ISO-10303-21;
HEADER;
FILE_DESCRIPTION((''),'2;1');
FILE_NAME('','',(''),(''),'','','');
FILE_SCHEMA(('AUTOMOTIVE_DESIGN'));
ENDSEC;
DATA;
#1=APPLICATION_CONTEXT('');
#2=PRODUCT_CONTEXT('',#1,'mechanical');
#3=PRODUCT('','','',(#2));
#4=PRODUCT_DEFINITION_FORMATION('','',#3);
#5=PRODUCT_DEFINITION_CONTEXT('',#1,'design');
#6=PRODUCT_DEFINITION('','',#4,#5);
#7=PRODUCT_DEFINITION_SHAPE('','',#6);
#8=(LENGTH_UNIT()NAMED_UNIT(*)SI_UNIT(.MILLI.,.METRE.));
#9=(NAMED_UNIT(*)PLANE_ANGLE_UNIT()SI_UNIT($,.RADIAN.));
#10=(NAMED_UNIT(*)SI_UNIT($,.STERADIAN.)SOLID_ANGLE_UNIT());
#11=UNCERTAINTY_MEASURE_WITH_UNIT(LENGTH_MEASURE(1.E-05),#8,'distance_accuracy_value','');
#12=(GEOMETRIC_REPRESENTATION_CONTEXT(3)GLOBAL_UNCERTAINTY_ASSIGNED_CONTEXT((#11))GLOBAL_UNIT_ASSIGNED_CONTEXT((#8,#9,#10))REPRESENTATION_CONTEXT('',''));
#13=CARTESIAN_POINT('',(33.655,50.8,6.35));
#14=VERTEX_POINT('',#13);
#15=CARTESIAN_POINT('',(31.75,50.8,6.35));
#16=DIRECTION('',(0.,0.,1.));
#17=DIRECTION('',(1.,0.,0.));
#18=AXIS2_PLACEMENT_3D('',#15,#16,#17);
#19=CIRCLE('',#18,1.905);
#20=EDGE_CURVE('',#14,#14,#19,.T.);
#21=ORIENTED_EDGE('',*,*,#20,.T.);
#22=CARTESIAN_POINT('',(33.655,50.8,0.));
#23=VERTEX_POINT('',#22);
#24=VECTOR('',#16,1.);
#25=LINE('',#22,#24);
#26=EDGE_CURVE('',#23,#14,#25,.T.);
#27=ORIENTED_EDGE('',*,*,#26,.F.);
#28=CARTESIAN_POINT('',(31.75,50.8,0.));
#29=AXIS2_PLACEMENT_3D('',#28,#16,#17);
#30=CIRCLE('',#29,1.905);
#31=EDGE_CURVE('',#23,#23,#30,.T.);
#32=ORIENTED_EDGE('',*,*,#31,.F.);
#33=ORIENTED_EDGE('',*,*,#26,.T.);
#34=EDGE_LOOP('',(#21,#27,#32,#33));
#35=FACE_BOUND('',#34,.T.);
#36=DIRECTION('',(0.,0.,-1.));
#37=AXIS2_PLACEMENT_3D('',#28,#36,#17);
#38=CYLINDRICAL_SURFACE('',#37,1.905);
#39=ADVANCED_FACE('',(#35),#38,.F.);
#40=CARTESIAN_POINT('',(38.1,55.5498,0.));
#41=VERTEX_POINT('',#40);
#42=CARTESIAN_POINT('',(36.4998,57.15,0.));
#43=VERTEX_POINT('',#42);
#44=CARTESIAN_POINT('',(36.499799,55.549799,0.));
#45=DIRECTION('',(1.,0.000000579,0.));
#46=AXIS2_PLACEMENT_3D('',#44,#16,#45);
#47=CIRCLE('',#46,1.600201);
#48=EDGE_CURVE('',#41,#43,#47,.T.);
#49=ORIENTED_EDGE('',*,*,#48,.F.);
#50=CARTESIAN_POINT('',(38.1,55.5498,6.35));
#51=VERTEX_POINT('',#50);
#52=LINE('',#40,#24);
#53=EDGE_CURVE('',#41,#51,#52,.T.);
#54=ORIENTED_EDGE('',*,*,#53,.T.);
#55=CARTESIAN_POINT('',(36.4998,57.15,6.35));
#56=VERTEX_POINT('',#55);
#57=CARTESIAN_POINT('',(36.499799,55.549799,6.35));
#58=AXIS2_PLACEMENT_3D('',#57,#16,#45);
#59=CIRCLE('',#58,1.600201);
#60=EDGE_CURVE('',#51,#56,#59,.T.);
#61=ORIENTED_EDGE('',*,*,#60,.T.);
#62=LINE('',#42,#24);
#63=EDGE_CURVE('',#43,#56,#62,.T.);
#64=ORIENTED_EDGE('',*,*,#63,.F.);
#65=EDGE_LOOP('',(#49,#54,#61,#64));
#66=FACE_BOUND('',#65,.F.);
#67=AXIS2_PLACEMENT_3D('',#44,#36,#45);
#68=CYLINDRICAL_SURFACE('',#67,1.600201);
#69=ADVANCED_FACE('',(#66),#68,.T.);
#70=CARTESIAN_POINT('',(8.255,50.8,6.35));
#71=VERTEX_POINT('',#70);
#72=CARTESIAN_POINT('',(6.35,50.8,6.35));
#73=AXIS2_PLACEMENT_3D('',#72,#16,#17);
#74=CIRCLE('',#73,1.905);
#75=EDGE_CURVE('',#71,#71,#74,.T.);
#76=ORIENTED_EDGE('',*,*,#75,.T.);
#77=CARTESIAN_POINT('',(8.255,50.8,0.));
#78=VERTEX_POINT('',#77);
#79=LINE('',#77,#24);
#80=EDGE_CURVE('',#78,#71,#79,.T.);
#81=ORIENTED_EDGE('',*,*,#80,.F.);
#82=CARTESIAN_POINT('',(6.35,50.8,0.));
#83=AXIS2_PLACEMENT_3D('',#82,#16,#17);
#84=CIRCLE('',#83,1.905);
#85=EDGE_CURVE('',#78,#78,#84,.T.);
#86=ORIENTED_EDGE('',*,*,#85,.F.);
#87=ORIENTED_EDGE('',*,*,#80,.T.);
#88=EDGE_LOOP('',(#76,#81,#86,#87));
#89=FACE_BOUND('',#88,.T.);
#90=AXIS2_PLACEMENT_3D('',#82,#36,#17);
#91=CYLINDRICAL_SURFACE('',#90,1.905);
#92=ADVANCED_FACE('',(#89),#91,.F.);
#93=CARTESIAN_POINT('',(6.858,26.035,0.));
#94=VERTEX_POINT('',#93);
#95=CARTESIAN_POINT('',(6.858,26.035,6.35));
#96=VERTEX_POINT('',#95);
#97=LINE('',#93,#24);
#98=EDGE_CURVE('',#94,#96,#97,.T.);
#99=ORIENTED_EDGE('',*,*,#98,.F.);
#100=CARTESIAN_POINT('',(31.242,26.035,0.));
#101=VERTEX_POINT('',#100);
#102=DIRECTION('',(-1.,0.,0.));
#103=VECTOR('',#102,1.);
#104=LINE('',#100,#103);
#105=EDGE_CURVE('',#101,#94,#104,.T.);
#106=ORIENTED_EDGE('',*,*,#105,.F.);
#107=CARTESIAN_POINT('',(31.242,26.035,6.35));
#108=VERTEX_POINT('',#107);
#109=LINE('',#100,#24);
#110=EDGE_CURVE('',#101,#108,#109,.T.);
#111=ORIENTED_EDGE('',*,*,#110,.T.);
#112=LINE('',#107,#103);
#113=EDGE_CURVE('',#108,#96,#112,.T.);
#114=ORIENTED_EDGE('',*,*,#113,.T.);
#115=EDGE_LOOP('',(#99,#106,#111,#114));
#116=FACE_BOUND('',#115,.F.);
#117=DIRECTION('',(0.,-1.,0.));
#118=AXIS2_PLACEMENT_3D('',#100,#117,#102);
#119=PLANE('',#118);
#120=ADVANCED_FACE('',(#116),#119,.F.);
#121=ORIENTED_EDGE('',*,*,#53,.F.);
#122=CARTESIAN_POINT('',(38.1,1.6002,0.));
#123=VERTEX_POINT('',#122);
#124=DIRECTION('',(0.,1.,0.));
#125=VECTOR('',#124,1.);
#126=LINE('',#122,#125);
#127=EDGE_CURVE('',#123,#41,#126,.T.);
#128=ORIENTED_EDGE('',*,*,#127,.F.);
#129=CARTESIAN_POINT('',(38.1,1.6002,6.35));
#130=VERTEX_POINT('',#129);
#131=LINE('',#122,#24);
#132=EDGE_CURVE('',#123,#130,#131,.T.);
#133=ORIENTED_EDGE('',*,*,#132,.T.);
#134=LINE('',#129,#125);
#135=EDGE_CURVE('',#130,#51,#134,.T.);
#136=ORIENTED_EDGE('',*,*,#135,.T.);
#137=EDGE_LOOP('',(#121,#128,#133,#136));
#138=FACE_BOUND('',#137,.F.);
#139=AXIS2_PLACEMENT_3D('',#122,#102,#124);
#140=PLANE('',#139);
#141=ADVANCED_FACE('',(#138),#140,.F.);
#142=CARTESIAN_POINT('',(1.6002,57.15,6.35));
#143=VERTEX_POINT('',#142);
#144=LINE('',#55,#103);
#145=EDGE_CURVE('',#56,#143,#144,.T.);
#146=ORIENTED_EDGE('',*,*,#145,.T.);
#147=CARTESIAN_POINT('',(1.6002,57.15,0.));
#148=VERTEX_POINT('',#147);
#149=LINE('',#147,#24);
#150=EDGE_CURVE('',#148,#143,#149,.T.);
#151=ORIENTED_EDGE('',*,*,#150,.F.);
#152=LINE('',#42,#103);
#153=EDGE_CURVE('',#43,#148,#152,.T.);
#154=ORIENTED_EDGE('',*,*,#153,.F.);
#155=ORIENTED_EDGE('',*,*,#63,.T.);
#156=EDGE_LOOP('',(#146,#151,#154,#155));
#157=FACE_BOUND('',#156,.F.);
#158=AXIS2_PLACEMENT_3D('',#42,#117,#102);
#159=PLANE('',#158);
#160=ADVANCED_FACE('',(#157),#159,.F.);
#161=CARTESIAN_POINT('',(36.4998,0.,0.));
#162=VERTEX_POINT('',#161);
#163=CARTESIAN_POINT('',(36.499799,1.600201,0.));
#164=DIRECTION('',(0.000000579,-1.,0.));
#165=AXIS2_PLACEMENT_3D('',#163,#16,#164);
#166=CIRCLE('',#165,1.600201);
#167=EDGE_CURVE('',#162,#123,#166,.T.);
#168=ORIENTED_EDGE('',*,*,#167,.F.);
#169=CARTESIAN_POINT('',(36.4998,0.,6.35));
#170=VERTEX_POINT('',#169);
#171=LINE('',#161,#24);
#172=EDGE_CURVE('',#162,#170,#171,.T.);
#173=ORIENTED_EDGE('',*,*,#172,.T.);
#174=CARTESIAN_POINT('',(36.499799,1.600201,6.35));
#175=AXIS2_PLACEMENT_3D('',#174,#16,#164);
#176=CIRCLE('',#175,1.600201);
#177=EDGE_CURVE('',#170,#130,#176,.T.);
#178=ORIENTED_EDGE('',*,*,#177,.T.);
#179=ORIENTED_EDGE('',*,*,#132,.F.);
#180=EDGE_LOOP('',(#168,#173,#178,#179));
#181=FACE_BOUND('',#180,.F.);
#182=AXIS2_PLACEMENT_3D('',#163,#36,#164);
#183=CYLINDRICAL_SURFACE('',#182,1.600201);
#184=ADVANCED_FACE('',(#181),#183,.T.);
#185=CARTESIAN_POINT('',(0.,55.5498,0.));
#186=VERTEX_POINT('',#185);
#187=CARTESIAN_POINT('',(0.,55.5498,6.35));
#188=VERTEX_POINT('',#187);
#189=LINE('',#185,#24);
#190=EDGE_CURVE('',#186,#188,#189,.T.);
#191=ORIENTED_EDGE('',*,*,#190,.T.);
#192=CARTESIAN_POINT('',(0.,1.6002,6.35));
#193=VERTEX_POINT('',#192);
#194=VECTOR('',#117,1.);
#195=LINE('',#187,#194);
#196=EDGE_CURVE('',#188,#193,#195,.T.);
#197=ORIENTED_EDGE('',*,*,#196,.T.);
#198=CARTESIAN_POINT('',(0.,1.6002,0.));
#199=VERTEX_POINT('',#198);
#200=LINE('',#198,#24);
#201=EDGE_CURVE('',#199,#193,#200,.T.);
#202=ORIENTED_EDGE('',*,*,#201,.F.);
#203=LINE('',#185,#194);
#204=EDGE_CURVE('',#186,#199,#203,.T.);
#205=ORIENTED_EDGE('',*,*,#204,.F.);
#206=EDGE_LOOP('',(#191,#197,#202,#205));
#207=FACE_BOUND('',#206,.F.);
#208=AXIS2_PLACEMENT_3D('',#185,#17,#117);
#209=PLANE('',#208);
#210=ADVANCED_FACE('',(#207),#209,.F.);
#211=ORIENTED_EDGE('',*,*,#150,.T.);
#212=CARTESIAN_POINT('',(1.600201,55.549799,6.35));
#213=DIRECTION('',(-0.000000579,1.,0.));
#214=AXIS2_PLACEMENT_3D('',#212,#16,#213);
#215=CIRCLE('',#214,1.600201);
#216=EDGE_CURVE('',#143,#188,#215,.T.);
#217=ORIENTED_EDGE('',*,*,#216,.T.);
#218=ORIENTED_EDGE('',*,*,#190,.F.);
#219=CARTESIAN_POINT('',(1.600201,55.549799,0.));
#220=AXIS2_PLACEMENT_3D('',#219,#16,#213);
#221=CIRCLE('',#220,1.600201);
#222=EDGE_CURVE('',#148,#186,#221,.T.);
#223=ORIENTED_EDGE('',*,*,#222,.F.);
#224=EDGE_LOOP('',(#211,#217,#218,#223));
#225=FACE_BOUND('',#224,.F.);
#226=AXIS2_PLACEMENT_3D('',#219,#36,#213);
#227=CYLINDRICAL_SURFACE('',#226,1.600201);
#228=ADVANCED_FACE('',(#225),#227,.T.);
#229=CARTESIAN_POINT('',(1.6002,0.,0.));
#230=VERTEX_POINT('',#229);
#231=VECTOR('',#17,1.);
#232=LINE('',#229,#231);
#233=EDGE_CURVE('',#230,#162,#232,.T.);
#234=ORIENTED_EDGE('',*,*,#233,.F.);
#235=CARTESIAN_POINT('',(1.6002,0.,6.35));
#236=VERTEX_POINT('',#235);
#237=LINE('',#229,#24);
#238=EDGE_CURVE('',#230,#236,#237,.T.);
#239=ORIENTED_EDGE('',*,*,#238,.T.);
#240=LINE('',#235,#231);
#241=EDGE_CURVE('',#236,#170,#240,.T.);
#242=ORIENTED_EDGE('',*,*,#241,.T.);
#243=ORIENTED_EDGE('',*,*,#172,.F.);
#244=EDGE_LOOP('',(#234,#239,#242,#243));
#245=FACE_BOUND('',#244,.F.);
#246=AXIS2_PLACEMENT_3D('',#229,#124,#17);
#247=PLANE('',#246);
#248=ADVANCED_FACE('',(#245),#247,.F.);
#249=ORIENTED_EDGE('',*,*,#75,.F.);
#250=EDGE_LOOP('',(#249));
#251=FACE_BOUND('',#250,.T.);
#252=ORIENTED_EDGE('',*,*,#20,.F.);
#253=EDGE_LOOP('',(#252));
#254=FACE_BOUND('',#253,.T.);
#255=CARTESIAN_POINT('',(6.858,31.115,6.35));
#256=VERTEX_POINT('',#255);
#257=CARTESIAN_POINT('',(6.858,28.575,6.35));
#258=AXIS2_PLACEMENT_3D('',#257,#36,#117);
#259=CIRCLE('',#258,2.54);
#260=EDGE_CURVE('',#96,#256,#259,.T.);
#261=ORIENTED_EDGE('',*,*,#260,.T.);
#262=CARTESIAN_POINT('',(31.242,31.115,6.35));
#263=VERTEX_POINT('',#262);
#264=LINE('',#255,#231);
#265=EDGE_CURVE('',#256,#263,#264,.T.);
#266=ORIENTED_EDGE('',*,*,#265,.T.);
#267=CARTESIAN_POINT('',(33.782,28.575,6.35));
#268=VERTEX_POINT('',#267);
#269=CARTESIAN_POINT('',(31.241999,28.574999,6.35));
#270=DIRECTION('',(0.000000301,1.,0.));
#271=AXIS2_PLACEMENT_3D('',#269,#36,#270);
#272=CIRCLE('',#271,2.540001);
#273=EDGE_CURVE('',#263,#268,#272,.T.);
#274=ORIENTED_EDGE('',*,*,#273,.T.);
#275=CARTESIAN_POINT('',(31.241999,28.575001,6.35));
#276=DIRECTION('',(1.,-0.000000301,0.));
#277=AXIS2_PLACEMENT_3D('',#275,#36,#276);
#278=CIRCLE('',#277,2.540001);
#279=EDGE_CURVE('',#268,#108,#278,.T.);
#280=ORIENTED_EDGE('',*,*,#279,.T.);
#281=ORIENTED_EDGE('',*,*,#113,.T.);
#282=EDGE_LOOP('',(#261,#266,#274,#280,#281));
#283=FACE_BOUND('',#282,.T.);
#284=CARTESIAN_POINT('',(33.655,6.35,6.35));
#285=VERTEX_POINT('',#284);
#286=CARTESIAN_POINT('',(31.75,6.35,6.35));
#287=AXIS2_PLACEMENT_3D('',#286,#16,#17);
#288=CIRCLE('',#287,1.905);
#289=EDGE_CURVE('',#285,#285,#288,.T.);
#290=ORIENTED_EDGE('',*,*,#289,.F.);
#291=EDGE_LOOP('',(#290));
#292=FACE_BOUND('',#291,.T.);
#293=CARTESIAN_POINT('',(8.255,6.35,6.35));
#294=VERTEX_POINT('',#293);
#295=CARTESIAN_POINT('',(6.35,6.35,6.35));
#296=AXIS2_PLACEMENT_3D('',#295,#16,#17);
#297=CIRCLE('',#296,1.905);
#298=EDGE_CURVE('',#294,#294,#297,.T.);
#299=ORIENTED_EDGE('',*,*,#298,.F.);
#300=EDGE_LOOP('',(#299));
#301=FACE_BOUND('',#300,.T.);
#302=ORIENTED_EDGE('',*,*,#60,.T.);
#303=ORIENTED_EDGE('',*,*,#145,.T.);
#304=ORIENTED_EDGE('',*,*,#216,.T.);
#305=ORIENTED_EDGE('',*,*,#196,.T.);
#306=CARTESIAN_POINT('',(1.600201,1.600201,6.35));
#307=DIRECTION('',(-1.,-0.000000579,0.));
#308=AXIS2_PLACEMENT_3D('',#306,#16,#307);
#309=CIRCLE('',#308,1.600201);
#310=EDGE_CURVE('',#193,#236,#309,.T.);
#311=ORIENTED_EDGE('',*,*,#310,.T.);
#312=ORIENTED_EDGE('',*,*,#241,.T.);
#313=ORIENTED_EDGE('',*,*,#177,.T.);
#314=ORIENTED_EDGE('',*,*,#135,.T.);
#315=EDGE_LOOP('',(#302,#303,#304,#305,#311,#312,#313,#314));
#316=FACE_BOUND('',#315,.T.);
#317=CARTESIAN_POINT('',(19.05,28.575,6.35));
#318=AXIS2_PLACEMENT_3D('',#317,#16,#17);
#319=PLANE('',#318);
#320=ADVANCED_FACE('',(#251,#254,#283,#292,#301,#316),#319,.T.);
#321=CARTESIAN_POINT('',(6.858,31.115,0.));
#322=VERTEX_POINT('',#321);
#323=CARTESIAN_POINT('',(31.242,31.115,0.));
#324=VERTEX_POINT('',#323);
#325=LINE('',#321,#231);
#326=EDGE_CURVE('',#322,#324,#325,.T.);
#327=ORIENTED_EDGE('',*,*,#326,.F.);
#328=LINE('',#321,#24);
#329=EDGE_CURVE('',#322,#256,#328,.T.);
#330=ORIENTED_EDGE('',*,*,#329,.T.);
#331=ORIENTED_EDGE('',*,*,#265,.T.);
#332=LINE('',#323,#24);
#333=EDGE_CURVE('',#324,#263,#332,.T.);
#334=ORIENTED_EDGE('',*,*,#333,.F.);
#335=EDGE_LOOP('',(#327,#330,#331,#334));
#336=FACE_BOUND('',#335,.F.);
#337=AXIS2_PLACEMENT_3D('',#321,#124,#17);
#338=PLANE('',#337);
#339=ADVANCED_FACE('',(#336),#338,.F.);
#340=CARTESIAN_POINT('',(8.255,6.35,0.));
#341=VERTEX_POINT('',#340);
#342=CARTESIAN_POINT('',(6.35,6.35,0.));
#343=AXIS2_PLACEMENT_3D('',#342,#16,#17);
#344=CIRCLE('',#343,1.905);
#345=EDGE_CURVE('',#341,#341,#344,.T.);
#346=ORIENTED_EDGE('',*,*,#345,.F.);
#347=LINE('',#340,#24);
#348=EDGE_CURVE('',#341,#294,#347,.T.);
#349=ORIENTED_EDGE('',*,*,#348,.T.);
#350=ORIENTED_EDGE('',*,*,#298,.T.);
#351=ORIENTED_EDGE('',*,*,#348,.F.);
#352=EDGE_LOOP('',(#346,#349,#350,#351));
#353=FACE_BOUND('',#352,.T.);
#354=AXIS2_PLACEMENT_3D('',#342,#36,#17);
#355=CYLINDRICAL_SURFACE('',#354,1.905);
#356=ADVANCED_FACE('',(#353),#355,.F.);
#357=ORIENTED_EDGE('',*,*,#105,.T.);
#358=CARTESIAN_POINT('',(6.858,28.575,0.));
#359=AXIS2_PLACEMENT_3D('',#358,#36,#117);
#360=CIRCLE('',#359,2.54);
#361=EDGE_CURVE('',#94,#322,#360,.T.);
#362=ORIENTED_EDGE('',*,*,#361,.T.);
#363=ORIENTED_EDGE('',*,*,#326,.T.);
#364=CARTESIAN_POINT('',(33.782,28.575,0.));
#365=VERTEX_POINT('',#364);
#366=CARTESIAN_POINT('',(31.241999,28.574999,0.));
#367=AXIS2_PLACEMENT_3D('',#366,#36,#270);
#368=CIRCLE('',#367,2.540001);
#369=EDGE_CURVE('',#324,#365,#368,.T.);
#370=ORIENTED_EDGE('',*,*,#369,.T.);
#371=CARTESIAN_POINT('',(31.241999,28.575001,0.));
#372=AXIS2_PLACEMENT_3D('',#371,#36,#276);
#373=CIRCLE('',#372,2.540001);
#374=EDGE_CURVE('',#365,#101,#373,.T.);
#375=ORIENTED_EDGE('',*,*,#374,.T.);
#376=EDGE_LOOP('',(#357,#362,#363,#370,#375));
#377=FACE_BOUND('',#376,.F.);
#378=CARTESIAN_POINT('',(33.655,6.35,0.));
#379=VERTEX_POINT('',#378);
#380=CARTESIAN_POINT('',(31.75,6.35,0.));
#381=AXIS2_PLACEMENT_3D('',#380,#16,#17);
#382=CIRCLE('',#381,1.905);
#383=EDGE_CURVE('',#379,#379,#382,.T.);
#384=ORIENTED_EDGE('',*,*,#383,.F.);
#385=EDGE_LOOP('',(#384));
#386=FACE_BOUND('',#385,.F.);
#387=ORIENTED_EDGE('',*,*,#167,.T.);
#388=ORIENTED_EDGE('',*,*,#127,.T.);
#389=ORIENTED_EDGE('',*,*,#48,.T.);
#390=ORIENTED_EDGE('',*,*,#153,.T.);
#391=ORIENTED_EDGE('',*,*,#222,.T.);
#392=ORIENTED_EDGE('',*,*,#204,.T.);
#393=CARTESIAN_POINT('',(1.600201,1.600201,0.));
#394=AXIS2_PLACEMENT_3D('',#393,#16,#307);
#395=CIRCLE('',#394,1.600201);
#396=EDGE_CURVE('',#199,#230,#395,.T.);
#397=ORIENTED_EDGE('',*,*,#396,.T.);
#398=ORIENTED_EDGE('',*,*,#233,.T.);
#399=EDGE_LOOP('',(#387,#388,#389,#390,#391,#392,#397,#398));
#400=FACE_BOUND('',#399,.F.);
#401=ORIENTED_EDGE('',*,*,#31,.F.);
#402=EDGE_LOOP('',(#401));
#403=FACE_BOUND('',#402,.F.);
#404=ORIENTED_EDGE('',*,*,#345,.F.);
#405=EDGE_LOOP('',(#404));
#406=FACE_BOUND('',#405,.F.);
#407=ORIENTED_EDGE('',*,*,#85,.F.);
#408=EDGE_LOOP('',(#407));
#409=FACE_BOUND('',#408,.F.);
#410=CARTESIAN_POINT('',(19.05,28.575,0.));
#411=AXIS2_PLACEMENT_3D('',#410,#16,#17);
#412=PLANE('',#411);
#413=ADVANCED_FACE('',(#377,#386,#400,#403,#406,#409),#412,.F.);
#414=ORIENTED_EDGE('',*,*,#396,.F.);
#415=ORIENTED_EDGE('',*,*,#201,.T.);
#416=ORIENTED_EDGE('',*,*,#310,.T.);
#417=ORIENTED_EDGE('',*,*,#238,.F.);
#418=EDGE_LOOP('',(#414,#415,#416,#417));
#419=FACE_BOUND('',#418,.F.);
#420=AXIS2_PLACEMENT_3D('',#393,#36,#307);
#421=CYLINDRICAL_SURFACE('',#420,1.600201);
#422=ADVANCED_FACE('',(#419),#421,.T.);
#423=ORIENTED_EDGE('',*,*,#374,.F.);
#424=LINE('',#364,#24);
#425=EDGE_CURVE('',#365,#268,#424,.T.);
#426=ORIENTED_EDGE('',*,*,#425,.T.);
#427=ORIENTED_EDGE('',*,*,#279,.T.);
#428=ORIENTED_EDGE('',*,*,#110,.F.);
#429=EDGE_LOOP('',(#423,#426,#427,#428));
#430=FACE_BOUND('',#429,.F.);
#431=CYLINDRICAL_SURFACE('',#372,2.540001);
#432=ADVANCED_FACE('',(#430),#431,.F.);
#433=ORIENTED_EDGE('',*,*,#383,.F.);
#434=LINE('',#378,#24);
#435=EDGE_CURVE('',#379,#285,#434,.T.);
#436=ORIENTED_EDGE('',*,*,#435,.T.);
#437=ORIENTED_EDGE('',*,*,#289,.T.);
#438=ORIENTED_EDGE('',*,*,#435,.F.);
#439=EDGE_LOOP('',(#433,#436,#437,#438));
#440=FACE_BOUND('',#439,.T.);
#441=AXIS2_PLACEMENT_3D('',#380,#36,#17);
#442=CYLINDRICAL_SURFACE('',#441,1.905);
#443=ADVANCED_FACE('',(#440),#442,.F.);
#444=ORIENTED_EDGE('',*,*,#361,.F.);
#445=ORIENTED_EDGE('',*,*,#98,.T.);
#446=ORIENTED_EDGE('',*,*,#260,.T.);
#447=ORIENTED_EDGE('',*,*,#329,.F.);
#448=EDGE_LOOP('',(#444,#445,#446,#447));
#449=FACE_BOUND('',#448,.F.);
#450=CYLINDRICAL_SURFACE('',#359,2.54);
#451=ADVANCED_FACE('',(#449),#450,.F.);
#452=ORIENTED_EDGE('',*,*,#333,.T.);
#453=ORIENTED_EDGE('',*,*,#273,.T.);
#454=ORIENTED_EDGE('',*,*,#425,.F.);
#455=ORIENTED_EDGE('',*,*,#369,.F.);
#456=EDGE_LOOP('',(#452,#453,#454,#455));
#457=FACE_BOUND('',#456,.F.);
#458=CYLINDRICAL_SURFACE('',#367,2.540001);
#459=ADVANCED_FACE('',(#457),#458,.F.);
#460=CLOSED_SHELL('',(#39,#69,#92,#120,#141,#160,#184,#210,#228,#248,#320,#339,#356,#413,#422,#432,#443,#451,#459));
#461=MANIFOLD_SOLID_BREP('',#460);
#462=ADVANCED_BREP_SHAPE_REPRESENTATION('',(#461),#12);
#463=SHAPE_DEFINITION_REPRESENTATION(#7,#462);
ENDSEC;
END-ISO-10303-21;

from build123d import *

# Parameters (mm, degrees)
F0_R     = 1.905
F1_DEPTH = 6.35


with BuildPart() as f1:
    # F0 (on Top) → F1 (new body)
    with BuildSketch(Plane.XY):
        with BuildLine():
            ThreePointArc((0, 1.6002), (0.468688, 0.468688), (1.6002, 0))
            Line((1.6002, 0), (36.4998, 0))
            ThreePointArc((36.4998, 0), (37.631312, 0.468688), (38.1, 1.6002))
            Line((38.1, 1.6002), (38.1, 55.5498))
            ThreePointArc((38.1, 55.5498), (37.631312, 56.681312), (36.4998, 57.15))
            Line((36.4998, 57.15), (1.6002, 57.15))
            ThreePointArc((1.6002, 57.15), (0.468688, 56.681312), (0, 55.5498))
            Line((0, 55.5498), (0, 1.6002))
        make_face()
        with Locations((6.35, 6.35)):
            Circle(F0_R, mode=Mode.SUBTRACT)
        with Locations((31.75, 6.35)):
            Circle(F0_R, mode=Mode.SUBTRACT)
        with Locations((6.35, 50.8)):
            Circle(F0_R, mode=Mode.SUBTRACT)
        with BuildLine():
            ThreePointArc((6.858, 26.035), (4.318, 28.575), (6.858, 31.115))
            Line((6.858, 31.115), (31.242, 31.115))
            ThreePointArc((31.242, 31.115), (33.038051, 30.371051), (33.782, 28.575))
            ThreePointArc((33.782, 28.575), (33.038051, 26.778949), (31.242, 26.035))
            Line((31.242, 26.035), (6.858, 26.035))
        make_face(mode=Mode.SUBTRACT)
        with Locations((31.75, 50.8)):
            Circle(F0_R, mode=Mode.SUBTRACT)
    extrude(amount=F1_DEPTH)


solid = f1.part
